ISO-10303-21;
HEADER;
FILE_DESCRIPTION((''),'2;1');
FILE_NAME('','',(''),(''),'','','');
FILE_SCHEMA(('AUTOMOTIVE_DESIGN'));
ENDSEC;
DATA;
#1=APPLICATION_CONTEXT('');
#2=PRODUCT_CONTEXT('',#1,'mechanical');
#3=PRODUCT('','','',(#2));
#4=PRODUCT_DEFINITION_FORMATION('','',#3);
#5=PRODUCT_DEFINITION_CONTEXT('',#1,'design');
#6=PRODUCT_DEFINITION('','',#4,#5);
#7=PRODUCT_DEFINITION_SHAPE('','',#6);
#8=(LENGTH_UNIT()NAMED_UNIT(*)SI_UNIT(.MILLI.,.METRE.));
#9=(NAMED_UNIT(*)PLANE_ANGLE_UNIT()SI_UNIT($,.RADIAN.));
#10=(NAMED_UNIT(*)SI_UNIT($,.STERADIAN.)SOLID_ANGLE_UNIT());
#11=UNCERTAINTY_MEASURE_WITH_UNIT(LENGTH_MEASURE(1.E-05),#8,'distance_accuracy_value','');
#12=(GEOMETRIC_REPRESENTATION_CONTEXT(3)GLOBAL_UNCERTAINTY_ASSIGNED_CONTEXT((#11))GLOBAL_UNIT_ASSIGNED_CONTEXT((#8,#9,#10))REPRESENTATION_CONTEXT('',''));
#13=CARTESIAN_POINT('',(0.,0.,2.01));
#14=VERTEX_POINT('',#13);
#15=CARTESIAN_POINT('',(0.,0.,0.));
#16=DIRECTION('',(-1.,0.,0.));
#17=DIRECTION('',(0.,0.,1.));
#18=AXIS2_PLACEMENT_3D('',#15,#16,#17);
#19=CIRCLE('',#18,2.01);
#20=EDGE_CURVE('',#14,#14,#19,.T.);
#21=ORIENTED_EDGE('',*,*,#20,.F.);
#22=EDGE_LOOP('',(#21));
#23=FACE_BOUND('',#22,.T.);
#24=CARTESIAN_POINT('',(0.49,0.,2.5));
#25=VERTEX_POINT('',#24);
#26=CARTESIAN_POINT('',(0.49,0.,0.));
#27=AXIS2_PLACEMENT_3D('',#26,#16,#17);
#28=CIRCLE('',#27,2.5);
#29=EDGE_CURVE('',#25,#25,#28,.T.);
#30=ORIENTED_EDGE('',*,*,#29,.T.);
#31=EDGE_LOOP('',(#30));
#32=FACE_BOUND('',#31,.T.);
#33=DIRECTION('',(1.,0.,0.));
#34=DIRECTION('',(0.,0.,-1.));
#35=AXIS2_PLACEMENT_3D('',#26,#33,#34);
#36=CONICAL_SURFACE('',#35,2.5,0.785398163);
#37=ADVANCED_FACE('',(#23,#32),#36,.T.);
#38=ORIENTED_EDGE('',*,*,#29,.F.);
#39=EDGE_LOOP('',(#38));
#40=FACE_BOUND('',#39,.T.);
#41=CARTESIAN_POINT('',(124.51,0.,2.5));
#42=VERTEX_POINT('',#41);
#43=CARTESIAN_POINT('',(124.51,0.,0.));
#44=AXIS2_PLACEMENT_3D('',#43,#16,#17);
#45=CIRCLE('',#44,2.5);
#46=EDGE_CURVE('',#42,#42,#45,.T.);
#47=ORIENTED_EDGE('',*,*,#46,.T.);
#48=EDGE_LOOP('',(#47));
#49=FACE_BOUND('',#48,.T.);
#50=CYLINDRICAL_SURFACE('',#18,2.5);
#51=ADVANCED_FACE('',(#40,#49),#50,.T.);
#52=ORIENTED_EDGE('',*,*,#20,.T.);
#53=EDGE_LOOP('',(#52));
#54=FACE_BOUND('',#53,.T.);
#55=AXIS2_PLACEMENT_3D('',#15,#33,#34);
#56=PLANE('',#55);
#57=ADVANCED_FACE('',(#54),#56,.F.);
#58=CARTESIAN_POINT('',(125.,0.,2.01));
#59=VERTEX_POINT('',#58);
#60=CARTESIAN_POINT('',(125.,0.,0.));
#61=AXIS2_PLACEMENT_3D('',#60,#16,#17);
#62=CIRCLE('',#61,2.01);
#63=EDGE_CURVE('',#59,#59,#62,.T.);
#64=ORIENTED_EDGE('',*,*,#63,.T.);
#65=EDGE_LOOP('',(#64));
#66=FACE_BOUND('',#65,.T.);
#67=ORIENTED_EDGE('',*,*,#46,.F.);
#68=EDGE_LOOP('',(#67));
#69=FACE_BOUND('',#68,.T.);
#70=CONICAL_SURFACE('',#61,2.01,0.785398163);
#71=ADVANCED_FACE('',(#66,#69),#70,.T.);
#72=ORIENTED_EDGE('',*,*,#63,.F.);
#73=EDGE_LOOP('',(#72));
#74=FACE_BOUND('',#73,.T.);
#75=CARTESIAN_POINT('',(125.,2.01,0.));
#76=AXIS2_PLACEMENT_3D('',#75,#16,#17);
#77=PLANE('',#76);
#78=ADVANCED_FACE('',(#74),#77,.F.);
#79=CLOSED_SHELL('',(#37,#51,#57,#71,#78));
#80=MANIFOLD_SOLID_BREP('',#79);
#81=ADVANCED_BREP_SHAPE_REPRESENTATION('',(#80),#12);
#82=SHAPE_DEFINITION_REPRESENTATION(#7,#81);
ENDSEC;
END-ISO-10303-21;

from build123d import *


with BuildPart() as part:
    # Sketch1 → Revolve1 (revolve)
    with BuildSketch(Plane.XY, mode=Mode.PRIVATE) as revolve1_sk:
        Polygon((0, 0), (0, 2.01), (0.49, 2.5), (124.51, 2.5), (125, 2.01), (125, 0), align=None)
    revolve(revolve1_sk.sketch.rotate(Axis((0, 0, 0), (1, 0, 0)), 90), axis=Axis((0, 0, 0), (1, 0, 0)))


solid = part.part
